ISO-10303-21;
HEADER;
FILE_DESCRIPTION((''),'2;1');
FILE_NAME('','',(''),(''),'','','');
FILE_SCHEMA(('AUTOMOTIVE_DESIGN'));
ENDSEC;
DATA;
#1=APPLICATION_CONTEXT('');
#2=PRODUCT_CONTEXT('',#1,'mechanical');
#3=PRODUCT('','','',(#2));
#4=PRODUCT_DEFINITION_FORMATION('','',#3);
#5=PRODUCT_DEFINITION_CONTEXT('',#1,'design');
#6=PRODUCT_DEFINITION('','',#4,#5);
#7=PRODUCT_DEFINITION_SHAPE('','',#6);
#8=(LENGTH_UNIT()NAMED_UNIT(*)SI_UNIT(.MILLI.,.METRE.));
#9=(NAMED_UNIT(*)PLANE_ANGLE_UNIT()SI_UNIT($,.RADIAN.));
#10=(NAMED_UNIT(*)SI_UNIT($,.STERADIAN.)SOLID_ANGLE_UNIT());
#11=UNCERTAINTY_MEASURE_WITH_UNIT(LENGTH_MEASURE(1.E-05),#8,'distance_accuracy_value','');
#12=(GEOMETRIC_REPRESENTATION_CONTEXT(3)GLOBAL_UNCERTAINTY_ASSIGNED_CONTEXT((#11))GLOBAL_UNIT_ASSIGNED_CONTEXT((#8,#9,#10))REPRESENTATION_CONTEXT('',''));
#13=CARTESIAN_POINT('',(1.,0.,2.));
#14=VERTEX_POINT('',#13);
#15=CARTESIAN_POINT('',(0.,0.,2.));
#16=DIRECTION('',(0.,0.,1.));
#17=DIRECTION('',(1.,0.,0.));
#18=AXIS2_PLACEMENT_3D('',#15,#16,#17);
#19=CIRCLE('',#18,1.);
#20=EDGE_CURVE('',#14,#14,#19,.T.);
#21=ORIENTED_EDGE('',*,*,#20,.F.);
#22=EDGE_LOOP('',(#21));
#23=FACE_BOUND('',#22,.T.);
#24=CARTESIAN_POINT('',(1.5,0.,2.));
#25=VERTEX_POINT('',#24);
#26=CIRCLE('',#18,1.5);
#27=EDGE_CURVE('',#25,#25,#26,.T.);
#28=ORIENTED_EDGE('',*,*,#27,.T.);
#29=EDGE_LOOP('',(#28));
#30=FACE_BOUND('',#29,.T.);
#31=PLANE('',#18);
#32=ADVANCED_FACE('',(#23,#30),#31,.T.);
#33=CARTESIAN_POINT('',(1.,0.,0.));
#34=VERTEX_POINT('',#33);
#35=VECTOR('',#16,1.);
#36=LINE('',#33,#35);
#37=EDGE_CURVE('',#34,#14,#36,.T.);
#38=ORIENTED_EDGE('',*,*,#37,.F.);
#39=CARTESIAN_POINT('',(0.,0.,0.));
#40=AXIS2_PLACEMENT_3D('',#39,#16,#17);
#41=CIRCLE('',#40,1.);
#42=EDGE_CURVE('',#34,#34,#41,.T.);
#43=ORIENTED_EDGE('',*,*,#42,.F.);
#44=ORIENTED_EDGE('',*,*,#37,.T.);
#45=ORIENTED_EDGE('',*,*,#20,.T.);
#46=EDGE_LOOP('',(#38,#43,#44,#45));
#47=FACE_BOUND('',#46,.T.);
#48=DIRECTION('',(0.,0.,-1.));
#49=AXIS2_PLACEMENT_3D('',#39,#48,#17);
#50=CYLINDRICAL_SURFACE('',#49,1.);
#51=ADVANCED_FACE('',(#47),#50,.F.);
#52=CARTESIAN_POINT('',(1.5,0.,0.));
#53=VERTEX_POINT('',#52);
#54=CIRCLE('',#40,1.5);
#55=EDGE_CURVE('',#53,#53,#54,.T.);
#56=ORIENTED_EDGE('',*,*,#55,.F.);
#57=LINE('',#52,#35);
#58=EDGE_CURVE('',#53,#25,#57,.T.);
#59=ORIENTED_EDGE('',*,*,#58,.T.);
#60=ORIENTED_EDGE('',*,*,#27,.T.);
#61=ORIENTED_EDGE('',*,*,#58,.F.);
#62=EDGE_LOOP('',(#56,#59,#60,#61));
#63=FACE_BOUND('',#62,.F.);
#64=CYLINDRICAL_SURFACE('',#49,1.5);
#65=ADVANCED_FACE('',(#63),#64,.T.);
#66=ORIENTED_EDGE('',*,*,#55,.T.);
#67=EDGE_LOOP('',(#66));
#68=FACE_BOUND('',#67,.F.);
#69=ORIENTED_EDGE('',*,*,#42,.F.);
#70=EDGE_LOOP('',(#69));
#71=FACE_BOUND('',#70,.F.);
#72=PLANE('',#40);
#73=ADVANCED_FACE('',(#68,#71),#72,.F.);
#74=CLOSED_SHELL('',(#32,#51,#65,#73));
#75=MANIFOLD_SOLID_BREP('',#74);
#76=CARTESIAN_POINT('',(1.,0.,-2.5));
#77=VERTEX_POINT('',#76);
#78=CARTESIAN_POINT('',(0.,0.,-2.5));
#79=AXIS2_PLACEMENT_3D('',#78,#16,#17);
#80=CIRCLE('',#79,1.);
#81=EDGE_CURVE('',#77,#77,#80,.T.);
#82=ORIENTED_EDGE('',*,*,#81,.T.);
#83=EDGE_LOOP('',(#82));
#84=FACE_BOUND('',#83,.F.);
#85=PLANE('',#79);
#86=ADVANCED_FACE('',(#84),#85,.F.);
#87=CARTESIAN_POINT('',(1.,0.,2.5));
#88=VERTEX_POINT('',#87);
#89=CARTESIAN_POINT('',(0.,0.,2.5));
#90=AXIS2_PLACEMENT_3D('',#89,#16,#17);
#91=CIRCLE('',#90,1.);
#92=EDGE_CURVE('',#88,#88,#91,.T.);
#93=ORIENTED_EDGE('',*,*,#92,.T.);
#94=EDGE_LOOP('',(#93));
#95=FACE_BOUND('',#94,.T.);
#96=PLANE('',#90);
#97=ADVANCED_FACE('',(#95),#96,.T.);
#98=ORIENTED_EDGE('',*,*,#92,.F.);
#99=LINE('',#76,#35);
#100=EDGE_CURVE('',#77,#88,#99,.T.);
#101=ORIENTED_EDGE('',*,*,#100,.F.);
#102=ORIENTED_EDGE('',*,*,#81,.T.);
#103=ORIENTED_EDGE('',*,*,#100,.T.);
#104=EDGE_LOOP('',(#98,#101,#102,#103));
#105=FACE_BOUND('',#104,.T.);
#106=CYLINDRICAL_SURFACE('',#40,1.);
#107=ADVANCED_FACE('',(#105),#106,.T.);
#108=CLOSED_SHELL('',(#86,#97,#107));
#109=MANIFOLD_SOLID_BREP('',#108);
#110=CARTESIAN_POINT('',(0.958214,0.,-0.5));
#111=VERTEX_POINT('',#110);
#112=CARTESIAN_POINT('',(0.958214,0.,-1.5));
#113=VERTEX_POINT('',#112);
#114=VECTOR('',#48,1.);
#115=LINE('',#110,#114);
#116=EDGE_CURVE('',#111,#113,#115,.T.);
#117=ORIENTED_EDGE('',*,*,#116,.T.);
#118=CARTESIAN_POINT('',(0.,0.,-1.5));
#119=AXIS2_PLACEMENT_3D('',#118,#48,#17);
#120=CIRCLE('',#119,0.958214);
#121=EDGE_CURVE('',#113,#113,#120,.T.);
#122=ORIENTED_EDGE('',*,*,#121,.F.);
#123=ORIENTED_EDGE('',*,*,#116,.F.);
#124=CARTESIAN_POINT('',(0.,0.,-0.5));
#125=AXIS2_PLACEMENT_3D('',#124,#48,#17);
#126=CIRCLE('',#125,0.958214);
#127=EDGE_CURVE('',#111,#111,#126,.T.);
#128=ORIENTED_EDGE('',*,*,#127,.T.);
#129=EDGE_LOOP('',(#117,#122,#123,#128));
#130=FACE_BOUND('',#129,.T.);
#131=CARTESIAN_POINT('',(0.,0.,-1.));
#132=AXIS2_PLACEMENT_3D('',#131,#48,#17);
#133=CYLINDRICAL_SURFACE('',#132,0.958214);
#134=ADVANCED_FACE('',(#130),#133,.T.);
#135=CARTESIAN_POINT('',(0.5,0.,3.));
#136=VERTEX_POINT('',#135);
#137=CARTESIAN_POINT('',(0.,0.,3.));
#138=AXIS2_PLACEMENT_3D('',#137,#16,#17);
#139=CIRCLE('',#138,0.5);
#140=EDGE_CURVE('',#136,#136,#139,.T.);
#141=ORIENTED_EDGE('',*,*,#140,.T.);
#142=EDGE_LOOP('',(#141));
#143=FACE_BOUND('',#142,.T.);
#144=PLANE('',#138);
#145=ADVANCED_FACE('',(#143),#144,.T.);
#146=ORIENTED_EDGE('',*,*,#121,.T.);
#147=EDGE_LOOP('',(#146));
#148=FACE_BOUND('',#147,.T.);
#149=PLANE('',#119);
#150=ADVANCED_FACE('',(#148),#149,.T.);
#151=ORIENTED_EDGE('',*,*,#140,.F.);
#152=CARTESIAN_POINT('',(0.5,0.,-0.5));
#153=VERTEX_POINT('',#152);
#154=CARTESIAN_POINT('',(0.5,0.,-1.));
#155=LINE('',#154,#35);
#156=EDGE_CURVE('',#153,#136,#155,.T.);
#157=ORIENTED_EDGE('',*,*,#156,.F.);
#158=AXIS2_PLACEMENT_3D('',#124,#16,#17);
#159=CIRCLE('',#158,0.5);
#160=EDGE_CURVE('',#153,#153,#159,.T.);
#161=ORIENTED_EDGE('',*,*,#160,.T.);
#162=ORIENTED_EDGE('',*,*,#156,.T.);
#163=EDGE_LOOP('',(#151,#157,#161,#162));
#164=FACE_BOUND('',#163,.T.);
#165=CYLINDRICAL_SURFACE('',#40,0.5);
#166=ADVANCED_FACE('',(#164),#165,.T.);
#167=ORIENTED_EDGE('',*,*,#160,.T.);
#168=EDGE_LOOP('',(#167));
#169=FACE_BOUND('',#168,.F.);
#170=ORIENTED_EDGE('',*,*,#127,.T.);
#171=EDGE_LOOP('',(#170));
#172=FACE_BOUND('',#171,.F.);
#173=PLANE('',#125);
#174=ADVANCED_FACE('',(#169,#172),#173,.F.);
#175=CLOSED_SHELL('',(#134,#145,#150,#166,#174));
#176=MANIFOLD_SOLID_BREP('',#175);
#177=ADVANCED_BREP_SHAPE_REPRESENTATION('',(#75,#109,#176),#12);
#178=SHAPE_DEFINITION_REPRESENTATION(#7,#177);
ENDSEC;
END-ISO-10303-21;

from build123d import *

# Parameters (mm, degrees)
F0_R     = 0.5
F1_DEPTH = 3
F0_R_2   = 1.5
F0_R_3   = 1
F2_DEPTH = 2
F3_DEPTH = 1
F4_R     = 0.958214
F5_DEPTH = 0.5
F6_R     = 1
F7_DEPTH = 2.5


with BuildPart() as f1:
    # F0 (on Top) → F1 (new body)
    with BuildSketch(Plane.XY):
        Circle(F0_R)
    extrude(amount=F1_DEPTH)

    # F0 (on Top) → F3 (join)
    with BuildSketch(Plane.XY):
        Circle(F0_R)
    extrude(amount=-F3_DEPTH)

    # F4 (on face) → F5 (join, symmetric)
    with BuildSketch(Plane(origin=(0, 0, -1), x_dir=(1, 0, 0), z_dir=(0, 0, -1))):
        Circle(F4_R)
    extrude(amount=F5_DEPTH, both=True)


with BuildPart() as f2:
    # F0 (on Top) → F2 (new body)
    with BuildSketch(Plane.XY):
        Circle(F0_R_2)
        Circle(F0_R_3, mode=Mode.SUBTRACT)
    extrude(amount=F2_DEPTH)


with BuildPart() as f7:
    # F6 (on Top) → F7 (new body, symmetric)
    with BuildSketch(Plane.XY):
        Circle(F6_R)
    extrude(amount=F7_DEPTH, both=True)


solid = Compound([f1.part, f2.part, f7.part])
